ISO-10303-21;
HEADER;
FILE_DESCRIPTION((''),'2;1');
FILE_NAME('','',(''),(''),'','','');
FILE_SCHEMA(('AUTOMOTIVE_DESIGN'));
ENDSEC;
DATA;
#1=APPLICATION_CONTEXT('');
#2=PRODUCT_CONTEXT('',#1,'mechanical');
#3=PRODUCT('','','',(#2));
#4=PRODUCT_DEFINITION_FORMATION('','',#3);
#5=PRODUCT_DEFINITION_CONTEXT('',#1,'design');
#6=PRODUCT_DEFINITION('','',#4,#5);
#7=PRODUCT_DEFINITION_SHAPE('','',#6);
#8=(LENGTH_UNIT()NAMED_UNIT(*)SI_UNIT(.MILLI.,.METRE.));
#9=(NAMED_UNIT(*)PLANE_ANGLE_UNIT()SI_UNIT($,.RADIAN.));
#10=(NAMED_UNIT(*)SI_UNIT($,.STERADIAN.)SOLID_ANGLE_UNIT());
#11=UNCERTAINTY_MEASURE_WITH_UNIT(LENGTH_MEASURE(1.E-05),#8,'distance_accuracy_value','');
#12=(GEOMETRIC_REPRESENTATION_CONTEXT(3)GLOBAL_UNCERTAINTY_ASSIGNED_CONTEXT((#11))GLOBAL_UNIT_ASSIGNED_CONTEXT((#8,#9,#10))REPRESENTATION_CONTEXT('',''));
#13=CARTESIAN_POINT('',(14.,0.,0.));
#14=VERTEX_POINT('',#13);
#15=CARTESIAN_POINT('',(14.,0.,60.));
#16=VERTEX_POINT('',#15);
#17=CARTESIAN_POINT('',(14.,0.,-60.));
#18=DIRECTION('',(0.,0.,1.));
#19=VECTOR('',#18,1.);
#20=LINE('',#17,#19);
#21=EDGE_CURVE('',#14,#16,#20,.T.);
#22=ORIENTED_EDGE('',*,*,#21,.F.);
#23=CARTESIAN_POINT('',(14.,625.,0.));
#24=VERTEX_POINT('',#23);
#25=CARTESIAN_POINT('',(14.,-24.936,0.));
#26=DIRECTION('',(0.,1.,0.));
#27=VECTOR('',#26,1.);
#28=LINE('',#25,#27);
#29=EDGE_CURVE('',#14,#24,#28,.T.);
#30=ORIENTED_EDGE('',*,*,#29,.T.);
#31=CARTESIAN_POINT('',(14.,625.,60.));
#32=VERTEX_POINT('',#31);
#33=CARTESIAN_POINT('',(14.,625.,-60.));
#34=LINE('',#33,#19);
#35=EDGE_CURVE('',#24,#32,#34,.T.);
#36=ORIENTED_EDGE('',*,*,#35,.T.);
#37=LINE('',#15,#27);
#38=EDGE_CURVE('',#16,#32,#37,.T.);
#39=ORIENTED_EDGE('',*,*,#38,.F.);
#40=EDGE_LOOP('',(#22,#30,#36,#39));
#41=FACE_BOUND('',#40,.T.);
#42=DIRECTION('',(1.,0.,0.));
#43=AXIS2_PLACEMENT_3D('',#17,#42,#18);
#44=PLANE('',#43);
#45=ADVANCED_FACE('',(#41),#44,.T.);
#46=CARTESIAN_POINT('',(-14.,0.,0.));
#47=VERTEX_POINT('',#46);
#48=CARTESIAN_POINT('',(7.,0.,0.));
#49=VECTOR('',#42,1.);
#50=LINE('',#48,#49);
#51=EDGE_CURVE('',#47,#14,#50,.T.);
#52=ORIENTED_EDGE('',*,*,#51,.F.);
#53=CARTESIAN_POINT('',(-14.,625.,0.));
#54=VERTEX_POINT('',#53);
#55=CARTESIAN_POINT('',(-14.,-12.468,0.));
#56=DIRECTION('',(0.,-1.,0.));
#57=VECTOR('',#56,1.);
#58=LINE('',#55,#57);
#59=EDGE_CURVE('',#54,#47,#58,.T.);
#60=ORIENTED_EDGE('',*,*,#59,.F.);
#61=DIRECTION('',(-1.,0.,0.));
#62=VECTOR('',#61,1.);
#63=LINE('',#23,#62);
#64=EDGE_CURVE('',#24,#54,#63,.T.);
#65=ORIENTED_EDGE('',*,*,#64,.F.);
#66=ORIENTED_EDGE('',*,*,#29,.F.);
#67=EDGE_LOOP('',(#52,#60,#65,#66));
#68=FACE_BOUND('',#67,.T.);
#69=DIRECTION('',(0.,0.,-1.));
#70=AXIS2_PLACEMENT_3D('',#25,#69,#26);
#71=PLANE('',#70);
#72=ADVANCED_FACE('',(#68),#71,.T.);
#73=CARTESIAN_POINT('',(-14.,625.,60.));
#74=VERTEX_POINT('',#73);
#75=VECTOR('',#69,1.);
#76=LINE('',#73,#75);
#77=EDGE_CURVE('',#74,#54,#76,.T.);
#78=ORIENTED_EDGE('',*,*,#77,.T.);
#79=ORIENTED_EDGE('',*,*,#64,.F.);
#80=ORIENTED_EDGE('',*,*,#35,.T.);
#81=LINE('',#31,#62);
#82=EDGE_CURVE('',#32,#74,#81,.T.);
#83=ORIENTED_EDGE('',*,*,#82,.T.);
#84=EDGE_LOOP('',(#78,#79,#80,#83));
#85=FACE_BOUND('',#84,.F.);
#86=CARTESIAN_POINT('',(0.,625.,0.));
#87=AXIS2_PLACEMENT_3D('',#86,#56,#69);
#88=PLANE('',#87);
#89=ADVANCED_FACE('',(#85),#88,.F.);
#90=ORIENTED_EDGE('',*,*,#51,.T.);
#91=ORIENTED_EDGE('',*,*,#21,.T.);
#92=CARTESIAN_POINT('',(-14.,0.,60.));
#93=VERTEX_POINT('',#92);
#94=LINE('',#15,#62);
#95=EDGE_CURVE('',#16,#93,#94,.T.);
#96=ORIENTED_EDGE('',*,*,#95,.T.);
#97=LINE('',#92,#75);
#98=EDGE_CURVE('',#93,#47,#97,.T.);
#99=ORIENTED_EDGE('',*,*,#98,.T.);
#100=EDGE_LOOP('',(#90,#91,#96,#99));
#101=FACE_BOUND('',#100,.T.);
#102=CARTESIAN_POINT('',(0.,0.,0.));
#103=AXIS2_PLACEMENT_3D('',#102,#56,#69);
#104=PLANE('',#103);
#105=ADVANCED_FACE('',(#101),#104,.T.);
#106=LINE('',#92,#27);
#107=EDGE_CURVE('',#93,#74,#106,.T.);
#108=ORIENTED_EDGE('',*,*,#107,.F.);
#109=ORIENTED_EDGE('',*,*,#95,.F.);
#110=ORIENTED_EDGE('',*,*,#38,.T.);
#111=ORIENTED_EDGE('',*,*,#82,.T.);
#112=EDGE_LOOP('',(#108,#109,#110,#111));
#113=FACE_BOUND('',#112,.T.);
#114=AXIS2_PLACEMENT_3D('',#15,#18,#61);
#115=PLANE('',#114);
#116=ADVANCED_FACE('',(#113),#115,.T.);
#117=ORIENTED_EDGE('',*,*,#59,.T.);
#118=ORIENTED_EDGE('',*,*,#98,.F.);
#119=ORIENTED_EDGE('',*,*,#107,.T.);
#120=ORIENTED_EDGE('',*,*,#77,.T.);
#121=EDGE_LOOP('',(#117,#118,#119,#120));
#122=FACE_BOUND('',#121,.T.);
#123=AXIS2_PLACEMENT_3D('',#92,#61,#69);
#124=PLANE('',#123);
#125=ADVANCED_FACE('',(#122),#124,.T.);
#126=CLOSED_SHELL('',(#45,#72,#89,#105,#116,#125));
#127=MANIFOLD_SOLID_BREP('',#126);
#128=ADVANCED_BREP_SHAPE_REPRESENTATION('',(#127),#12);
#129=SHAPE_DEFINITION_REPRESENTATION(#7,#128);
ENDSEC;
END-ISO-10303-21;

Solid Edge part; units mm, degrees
sketch "Sketch1" plane through (0, 0, 0) normal (0, -1, 0) x (1, 0, 0)
  line L0 (-14, -60) -> (14, -60)
  line L1 (14, -60) -> (14, 60)
  line L2 (14, 60) -> (-14, 60)
  line L3 (-14, 60) -> (-14, -60)
extrude "Protrusion1" add sketch "Sketch1" against normal blind 625
sketch "Sketch2" plane through (14, 500, 0) normal (1, 0, 0) x (0, 1, 0)
  line L0 (125, -60) -> (-524.936, -60)
  line L1 (-524.936, -60) -> (-524.936, 0)
  line L2 (-524.936, 0) -> (125, 0)
  line L3 (125, 0) -> (125, -60)
extrude "ExtrudedCutout_1" cut sketch "Sketch2" against normal blind 125.4836
properties material "Wood, Pine"
